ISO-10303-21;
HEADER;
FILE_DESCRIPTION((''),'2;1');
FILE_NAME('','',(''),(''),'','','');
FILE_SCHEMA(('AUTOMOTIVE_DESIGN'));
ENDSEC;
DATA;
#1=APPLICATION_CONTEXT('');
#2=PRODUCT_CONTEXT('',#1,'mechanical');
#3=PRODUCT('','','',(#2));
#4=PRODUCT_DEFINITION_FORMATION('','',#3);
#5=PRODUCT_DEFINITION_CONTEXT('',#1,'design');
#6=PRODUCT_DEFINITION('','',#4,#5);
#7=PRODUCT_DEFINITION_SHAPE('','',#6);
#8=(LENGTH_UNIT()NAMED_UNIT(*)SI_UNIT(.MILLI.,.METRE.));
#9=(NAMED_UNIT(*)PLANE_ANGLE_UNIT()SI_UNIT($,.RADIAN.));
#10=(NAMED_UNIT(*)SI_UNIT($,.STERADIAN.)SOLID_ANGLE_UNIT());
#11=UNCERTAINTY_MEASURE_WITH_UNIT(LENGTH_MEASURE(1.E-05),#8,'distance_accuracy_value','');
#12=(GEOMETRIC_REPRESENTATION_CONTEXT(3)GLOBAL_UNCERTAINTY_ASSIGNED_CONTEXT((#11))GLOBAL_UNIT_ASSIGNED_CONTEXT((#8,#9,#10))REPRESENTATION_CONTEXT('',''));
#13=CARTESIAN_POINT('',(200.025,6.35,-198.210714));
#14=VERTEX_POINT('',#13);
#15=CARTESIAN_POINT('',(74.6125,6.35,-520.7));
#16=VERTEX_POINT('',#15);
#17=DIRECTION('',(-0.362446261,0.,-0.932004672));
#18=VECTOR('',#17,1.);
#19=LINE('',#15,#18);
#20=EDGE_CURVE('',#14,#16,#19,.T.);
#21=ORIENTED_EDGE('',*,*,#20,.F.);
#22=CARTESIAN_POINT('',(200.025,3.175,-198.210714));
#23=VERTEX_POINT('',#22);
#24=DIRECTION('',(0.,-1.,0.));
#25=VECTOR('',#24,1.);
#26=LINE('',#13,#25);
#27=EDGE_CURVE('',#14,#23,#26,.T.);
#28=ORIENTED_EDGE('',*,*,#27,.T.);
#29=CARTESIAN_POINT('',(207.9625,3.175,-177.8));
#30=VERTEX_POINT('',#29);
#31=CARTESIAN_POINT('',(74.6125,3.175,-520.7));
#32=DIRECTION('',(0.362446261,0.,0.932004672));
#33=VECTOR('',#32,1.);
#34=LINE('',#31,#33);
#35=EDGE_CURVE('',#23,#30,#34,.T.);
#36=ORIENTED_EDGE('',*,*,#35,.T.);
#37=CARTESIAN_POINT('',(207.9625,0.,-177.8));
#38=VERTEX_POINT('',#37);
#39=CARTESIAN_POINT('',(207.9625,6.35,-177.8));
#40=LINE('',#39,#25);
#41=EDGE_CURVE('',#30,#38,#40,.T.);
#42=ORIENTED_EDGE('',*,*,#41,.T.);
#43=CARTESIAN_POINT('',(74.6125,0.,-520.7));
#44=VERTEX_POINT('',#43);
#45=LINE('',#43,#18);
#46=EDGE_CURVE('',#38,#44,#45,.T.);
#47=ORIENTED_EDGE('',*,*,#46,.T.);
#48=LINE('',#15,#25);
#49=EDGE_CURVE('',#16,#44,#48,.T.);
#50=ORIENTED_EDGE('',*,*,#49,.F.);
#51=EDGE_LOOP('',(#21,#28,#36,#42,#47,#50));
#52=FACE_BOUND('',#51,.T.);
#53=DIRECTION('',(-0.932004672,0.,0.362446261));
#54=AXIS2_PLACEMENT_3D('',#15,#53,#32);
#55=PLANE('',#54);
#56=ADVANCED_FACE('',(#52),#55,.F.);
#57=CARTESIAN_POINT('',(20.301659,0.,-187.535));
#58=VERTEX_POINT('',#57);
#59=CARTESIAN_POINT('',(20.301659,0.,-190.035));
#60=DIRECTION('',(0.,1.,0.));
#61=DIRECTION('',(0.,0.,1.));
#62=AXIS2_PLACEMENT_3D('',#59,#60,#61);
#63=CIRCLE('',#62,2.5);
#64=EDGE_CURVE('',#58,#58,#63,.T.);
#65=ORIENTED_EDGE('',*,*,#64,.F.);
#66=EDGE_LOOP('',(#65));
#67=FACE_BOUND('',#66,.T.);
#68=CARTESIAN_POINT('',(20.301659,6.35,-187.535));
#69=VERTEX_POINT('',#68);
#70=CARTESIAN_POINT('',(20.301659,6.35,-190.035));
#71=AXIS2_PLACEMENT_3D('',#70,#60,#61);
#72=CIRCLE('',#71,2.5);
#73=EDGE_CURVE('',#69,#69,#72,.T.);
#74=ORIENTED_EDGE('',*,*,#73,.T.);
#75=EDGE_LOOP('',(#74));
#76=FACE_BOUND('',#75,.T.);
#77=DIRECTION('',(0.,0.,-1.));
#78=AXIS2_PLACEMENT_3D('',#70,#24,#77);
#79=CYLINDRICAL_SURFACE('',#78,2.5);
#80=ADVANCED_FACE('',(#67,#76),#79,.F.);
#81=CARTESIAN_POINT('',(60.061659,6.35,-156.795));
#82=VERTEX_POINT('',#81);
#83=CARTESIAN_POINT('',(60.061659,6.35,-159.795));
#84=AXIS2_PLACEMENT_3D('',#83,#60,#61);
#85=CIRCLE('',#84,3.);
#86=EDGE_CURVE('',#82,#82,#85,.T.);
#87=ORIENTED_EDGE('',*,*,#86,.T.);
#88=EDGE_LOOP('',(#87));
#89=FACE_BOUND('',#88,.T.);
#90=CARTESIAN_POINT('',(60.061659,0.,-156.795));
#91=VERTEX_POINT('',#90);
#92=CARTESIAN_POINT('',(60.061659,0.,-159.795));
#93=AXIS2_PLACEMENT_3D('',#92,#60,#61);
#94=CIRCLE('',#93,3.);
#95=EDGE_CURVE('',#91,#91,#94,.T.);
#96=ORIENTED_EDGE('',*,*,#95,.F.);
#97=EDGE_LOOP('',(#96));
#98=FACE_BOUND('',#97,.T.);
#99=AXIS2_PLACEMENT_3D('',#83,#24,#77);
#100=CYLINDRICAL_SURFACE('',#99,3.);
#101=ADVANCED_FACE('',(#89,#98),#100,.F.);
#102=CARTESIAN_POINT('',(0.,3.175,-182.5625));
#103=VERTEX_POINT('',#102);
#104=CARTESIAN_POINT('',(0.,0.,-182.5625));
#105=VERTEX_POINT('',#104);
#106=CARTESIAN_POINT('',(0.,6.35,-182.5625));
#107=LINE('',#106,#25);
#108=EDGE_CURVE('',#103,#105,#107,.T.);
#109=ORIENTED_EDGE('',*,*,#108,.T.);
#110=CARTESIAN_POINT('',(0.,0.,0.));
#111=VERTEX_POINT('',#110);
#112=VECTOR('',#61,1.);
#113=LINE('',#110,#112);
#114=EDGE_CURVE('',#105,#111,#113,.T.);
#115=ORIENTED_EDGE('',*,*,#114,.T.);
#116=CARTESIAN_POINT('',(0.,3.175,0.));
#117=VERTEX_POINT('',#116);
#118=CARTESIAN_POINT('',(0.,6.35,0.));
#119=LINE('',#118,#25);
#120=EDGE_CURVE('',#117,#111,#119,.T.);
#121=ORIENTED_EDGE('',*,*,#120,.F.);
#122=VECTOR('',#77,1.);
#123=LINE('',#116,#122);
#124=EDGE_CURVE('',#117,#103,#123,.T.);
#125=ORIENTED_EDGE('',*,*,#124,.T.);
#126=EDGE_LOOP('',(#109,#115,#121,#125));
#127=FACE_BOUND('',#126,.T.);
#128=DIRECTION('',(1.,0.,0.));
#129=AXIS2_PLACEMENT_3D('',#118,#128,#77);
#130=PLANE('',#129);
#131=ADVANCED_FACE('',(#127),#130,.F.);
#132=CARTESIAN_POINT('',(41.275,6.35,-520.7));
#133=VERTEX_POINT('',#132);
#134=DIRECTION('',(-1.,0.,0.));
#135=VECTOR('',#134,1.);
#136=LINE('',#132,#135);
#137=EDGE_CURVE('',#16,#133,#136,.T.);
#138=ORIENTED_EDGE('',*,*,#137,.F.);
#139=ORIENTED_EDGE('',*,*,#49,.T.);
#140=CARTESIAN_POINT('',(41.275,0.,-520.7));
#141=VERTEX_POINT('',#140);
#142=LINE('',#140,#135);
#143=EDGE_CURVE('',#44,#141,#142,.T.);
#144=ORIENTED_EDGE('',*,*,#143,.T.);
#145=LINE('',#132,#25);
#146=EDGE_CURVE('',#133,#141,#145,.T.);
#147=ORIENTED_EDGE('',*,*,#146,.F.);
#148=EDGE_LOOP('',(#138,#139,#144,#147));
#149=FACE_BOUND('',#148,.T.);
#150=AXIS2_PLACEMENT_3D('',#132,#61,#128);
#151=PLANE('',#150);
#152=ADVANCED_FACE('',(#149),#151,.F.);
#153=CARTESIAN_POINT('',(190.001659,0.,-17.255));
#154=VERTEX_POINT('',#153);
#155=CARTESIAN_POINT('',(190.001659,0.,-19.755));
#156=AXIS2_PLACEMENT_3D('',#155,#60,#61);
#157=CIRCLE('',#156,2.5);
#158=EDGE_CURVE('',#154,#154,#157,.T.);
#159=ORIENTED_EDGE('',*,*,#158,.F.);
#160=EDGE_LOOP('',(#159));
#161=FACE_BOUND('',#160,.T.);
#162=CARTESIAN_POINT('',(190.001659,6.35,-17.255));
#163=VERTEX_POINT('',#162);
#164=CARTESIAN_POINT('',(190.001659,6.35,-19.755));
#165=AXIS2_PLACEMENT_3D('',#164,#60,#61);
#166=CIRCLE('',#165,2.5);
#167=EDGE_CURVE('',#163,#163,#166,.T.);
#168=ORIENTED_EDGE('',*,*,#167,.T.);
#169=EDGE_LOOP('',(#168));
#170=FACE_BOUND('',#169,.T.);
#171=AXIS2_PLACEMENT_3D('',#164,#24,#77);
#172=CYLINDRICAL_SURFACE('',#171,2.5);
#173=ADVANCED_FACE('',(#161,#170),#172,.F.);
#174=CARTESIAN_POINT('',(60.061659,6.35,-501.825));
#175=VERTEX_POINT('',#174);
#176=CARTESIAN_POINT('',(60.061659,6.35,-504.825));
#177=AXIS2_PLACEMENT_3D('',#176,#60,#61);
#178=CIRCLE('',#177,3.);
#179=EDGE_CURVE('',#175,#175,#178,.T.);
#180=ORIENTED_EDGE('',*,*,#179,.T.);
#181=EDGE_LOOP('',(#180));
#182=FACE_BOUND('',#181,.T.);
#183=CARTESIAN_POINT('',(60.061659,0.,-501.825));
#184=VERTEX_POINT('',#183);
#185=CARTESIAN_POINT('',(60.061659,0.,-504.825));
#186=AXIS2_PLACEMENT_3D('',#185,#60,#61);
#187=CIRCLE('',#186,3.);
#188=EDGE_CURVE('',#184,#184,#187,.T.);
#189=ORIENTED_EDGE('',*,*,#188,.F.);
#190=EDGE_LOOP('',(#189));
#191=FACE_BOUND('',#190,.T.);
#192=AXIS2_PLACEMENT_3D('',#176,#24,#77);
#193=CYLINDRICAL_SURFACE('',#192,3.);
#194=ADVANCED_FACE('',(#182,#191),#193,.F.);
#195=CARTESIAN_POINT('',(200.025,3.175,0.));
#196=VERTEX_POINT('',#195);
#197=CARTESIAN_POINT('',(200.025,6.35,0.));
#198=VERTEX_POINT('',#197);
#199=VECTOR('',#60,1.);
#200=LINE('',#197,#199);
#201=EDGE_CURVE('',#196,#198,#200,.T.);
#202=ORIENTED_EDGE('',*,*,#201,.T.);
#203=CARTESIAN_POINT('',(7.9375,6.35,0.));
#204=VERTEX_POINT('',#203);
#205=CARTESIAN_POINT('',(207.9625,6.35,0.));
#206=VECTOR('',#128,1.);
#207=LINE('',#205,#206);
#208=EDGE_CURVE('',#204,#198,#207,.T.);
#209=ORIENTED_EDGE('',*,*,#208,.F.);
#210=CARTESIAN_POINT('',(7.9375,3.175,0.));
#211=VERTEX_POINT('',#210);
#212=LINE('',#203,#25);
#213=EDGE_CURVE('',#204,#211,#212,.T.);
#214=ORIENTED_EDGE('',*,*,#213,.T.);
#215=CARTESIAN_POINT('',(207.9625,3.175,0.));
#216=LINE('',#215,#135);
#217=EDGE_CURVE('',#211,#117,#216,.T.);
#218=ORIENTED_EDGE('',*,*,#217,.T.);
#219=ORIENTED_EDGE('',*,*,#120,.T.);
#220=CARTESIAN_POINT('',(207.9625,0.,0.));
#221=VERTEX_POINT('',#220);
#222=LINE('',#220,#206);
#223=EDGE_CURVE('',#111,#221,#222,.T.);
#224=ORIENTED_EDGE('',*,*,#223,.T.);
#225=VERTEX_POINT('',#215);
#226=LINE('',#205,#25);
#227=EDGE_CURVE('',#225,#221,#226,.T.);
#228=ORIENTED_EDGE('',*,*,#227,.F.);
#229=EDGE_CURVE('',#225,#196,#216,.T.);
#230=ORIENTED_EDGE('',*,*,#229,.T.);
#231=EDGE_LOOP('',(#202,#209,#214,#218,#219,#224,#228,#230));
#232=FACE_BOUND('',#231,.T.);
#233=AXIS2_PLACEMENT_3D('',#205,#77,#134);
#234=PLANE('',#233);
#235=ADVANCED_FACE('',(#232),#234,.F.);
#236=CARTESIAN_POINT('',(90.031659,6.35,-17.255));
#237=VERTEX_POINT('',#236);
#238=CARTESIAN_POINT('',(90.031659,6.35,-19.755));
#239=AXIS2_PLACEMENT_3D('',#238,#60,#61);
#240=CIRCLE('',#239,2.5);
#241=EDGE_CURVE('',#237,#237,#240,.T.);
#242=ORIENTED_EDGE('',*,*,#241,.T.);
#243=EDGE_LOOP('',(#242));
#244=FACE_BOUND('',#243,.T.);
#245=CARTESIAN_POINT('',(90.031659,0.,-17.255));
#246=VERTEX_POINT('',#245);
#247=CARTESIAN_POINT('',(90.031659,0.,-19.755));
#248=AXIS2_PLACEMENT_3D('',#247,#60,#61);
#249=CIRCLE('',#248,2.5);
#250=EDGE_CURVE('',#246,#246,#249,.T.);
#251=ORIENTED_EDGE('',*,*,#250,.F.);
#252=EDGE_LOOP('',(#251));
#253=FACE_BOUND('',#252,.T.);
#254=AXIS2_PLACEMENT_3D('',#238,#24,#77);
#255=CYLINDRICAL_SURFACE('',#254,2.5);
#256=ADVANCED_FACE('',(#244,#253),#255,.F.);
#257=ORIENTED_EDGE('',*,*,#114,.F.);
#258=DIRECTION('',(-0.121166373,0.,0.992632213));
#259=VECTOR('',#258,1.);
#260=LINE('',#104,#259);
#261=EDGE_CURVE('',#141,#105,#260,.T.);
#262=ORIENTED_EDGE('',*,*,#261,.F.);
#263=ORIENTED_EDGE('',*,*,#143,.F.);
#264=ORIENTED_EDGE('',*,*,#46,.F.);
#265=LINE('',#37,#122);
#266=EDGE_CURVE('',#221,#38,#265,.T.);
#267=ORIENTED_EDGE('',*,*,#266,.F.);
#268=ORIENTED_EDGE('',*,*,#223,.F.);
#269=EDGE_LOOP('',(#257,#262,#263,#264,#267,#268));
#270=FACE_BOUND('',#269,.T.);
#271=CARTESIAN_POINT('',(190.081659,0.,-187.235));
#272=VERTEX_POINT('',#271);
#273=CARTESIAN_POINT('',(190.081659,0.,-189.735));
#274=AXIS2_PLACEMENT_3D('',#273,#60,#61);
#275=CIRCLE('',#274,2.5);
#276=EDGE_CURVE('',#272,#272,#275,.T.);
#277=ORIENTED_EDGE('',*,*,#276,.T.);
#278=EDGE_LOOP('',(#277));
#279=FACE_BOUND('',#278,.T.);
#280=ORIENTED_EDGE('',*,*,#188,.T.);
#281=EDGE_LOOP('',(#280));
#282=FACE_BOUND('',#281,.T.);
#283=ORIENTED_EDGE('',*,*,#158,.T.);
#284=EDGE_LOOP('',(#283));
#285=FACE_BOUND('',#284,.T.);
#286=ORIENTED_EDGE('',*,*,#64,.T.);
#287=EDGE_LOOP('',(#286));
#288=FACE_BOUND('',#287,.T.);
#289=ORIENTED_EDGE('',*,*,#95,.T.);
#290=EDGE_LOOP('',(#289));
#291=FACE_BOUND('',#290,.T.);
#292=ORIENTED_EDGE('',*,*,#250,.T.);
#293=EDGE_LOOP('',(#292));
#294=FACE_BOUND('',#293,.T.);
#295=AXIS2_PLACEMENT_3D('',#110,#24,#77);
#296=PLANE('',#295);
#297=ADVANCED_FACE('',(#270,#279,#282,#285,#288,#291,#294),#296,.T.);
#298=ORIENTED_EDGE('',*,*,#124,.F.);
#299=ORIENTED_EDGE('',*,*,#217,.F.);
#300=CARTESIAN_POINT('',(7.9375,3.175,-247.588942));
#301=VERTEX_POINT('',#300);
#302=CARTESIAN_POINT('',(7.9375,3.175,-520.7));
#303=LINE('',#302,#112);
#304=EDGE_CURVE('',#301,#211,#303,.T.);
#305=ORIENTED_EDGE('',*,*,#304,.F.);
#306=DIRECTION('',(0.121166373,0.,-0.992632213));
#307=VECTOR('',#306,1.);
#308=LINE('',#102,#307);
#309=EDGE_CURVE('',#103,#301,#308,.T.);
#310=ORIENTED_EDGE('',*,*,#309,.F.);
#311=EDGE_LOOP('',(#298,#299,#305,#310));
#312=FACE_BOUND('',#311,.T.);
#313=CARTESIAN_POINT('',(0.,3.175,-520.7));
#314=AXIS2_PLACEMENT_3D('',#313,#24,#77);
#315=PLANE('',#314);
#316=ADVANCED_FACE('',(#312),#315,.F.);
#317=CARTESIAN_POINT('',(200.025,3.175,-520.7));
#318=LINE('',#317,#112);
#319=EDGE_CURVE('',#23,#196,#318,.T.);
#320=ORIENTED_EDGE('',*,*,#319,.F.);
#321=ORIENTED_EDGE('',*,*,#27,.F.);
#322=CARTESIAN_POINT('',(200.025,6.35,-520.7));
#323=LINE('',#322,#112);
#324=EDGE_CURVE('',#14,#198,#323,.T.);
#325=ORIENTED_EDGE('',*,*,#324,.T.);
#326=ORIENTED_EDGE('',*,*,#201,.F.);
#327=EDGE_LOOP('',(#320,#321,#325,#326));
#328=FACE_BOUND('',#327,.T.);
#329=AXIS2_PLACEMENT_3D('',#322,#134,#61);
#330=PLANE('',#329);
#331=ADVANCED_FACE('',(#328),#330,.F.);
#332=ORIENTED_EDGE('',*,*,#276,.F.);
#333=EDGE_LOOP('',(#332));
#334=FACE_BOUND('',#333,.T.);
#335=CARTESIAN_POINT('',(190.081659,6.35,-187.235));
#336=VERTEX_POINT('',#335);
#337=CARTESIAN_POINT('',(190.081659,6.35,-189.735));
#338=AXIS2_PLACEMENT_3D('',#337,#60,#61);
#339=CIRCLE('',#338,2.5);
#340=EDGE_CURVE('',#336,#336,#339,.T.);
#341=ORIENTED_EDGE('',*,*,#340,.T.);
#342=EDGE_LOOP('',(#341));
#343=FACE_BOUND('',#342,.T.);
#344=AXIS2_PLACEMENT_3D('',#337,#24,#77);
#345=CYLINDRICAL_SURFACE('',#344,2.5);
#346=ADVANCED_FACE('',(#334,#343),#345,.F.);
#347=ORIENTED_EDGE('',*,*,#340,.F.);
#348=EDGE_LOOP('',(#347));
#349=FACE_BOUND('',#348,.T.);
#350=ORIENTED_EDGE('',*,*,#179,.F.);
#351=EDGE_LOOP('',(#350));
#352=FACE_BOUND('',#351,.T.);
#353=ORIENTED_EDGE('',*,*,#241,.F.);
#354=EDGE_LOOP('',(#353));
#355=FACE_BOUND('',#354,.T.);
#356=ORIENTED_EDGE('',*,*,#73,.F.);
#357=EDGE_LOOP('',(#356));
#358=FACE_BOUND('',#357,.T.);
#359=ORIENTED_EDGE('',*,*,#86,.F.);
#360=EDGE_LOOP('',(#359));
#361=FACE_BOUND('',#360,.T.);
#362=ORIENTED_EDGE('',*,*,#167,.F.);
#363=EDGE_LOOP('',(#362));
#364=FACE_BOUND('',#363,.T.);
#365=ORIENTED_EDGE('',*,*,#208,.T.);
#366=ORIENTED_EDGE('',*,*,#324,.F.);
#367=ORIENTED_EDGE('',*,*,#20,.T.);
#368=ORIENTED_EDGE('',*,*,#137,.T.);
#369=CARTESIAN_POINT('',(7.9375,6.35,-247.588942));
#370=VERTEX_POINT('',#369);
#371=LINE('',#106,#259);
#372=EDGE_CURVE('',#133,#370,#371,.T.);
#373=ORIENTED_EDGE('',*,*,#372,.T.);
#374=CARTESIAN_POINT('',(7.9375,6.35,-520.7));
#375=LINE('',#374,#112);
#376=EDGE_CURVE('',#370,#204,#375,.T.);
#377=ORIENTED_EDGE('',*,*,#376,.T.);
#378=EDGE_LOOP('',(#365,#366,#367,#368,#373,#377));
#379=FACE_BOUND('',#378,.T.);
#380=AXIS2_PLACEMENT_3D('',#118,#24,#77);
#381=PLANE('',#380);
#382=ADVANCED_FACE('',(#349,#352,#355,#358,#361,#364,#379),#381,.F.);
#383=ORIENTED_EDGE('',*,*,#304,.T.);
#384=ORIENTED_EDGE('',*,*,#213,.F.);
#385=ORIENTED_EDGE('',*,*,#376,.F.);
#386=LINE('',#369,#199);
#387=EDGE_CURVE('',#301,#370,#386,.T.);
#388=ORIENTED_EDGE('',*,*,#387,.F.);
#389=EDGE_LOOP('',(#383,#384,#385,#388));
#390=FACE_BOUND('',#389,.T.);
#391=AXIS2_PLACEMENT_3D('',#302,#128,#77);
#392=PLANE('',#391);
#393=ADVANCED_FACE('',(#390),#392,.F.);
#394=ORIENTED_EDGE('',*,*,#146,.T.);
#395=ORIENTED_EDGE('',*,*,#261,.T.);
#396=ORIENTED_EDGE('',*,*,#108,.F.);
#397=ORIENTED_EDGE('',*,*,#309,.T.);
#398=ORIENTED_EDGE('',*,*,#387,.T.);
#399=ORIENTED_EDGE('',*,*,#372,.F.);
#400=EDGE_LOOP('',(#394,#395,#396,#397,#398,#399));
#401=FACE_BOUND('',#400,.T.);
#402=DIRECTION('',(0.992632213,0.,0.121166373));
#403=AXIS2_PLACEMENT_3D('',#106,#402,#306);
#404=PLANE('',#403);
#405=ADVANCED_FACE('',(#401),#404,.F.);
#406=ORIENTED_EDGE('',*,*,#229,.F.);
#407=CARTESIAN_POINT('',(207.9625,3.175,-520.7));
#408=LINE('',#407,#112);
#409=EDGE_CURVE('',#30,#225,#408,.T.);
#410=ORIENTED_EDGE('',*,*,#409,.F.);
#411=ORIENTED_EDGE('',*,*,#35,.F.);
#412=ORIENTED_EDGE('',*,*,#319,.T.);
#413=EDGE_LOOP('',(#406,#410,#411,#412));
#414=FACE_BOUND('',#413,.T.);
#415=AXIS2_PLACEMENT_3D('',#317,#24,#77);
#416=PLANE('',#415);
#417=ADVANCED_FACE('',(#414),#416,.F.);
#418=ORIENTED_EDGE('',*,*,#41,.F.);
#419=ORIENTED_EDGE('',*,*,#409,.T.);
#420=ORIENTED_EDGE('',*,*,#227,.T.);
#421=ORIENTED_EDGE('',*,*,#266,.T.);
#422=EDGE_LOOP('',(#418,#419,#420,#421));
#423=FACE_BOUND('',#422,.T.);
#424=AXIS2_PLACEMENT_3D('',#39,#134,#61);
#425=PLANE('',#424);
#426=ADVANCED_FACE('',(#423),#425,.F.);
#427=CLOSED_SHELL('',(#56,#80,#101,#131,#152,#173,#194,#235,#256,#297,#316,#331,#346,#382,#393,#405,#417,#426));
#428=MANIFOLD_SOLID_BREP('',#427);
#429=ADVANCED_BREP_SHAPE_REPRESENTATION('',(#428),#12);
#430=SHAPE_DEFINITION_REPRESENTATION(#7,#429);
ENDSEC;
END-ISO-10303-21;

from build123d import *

# Parameters (mm, degrees)
SKETCH2_R               = 3
SKETCH2_R_2             = 2.5
BOSS_EXTRUDE1_DEPTH     = 6.35
SKETCH3_W               = 7.9375
SKETCH3_H               = 3.175
CUT_EXTRUDE1_DEPTH      = 1
CUT_EXTRUDE1_DEPTH_BACK = 521.7


with BuildPart() as part:
    # Sketch2 → Boss-Extrude1 (new body)
    with BuildSketch(Plane(origin=(0, 0, 0), x_dir=(1, 0, 0), z_dir=(0, 1, 0))):
        Polygon((0, 0), (0, 182.5625), (41.275, 520.7), (74.6125, 520.7), (207.9625, 177.8), (207.9625, 0), align=None)
        with Locations((60.061658842, 504.825)):
            Circle(SKETCH2_R, mode=Mode.SUBTRACT)
        with Locations((20.301658842, 190.035)):
            Circle(SKETCH2_R_2, mode=Mode.SUBTRACT)
        with Locations((190.081658842, 189.735)):
            Circle(SKETCH2_R_2, mode=Mode.SUBTRACT)
        with Locations((190.001658842, 19.755)):
            Circle(SKETCH2_R_2, mode=Mode.SUBTRACT)
        with Locations((90.031658842, 19.755)):
            Circle(SKETCH2_R_2, mode=Mode.SUBTRACT)
        with Locations((60.061658842, 159.795)):
            Circle(SKETCH2_R, mode=Mode.SUBTRACT)
    extrude(amount=BOSS_EXTRUDE1_DEPTH)

    # Sketch3 → Cut-Extrude1 (cut, two sides)
    with BuildSketch(Plane.XY) as cut_extrude1_sk:
        with Locations((3.96875, 4.7625)):
            Rectangle(SKETCH3_W, SKETCH3_H)
        with Locations((203.99375, 4.7625)):
            Rectangle(SKETCH3_W, SKETCH3_H)
    extrude(amount=CUT_EXTRUDE1_DEPTH, mode=Mode.SUBTRACT)
    extrude(cut_extrude1_sk.sketch, amount=-CUT_EXTRUDE1_DEPTH_BACK, mode=Mode.SUBTRACT)


solid = part.part
